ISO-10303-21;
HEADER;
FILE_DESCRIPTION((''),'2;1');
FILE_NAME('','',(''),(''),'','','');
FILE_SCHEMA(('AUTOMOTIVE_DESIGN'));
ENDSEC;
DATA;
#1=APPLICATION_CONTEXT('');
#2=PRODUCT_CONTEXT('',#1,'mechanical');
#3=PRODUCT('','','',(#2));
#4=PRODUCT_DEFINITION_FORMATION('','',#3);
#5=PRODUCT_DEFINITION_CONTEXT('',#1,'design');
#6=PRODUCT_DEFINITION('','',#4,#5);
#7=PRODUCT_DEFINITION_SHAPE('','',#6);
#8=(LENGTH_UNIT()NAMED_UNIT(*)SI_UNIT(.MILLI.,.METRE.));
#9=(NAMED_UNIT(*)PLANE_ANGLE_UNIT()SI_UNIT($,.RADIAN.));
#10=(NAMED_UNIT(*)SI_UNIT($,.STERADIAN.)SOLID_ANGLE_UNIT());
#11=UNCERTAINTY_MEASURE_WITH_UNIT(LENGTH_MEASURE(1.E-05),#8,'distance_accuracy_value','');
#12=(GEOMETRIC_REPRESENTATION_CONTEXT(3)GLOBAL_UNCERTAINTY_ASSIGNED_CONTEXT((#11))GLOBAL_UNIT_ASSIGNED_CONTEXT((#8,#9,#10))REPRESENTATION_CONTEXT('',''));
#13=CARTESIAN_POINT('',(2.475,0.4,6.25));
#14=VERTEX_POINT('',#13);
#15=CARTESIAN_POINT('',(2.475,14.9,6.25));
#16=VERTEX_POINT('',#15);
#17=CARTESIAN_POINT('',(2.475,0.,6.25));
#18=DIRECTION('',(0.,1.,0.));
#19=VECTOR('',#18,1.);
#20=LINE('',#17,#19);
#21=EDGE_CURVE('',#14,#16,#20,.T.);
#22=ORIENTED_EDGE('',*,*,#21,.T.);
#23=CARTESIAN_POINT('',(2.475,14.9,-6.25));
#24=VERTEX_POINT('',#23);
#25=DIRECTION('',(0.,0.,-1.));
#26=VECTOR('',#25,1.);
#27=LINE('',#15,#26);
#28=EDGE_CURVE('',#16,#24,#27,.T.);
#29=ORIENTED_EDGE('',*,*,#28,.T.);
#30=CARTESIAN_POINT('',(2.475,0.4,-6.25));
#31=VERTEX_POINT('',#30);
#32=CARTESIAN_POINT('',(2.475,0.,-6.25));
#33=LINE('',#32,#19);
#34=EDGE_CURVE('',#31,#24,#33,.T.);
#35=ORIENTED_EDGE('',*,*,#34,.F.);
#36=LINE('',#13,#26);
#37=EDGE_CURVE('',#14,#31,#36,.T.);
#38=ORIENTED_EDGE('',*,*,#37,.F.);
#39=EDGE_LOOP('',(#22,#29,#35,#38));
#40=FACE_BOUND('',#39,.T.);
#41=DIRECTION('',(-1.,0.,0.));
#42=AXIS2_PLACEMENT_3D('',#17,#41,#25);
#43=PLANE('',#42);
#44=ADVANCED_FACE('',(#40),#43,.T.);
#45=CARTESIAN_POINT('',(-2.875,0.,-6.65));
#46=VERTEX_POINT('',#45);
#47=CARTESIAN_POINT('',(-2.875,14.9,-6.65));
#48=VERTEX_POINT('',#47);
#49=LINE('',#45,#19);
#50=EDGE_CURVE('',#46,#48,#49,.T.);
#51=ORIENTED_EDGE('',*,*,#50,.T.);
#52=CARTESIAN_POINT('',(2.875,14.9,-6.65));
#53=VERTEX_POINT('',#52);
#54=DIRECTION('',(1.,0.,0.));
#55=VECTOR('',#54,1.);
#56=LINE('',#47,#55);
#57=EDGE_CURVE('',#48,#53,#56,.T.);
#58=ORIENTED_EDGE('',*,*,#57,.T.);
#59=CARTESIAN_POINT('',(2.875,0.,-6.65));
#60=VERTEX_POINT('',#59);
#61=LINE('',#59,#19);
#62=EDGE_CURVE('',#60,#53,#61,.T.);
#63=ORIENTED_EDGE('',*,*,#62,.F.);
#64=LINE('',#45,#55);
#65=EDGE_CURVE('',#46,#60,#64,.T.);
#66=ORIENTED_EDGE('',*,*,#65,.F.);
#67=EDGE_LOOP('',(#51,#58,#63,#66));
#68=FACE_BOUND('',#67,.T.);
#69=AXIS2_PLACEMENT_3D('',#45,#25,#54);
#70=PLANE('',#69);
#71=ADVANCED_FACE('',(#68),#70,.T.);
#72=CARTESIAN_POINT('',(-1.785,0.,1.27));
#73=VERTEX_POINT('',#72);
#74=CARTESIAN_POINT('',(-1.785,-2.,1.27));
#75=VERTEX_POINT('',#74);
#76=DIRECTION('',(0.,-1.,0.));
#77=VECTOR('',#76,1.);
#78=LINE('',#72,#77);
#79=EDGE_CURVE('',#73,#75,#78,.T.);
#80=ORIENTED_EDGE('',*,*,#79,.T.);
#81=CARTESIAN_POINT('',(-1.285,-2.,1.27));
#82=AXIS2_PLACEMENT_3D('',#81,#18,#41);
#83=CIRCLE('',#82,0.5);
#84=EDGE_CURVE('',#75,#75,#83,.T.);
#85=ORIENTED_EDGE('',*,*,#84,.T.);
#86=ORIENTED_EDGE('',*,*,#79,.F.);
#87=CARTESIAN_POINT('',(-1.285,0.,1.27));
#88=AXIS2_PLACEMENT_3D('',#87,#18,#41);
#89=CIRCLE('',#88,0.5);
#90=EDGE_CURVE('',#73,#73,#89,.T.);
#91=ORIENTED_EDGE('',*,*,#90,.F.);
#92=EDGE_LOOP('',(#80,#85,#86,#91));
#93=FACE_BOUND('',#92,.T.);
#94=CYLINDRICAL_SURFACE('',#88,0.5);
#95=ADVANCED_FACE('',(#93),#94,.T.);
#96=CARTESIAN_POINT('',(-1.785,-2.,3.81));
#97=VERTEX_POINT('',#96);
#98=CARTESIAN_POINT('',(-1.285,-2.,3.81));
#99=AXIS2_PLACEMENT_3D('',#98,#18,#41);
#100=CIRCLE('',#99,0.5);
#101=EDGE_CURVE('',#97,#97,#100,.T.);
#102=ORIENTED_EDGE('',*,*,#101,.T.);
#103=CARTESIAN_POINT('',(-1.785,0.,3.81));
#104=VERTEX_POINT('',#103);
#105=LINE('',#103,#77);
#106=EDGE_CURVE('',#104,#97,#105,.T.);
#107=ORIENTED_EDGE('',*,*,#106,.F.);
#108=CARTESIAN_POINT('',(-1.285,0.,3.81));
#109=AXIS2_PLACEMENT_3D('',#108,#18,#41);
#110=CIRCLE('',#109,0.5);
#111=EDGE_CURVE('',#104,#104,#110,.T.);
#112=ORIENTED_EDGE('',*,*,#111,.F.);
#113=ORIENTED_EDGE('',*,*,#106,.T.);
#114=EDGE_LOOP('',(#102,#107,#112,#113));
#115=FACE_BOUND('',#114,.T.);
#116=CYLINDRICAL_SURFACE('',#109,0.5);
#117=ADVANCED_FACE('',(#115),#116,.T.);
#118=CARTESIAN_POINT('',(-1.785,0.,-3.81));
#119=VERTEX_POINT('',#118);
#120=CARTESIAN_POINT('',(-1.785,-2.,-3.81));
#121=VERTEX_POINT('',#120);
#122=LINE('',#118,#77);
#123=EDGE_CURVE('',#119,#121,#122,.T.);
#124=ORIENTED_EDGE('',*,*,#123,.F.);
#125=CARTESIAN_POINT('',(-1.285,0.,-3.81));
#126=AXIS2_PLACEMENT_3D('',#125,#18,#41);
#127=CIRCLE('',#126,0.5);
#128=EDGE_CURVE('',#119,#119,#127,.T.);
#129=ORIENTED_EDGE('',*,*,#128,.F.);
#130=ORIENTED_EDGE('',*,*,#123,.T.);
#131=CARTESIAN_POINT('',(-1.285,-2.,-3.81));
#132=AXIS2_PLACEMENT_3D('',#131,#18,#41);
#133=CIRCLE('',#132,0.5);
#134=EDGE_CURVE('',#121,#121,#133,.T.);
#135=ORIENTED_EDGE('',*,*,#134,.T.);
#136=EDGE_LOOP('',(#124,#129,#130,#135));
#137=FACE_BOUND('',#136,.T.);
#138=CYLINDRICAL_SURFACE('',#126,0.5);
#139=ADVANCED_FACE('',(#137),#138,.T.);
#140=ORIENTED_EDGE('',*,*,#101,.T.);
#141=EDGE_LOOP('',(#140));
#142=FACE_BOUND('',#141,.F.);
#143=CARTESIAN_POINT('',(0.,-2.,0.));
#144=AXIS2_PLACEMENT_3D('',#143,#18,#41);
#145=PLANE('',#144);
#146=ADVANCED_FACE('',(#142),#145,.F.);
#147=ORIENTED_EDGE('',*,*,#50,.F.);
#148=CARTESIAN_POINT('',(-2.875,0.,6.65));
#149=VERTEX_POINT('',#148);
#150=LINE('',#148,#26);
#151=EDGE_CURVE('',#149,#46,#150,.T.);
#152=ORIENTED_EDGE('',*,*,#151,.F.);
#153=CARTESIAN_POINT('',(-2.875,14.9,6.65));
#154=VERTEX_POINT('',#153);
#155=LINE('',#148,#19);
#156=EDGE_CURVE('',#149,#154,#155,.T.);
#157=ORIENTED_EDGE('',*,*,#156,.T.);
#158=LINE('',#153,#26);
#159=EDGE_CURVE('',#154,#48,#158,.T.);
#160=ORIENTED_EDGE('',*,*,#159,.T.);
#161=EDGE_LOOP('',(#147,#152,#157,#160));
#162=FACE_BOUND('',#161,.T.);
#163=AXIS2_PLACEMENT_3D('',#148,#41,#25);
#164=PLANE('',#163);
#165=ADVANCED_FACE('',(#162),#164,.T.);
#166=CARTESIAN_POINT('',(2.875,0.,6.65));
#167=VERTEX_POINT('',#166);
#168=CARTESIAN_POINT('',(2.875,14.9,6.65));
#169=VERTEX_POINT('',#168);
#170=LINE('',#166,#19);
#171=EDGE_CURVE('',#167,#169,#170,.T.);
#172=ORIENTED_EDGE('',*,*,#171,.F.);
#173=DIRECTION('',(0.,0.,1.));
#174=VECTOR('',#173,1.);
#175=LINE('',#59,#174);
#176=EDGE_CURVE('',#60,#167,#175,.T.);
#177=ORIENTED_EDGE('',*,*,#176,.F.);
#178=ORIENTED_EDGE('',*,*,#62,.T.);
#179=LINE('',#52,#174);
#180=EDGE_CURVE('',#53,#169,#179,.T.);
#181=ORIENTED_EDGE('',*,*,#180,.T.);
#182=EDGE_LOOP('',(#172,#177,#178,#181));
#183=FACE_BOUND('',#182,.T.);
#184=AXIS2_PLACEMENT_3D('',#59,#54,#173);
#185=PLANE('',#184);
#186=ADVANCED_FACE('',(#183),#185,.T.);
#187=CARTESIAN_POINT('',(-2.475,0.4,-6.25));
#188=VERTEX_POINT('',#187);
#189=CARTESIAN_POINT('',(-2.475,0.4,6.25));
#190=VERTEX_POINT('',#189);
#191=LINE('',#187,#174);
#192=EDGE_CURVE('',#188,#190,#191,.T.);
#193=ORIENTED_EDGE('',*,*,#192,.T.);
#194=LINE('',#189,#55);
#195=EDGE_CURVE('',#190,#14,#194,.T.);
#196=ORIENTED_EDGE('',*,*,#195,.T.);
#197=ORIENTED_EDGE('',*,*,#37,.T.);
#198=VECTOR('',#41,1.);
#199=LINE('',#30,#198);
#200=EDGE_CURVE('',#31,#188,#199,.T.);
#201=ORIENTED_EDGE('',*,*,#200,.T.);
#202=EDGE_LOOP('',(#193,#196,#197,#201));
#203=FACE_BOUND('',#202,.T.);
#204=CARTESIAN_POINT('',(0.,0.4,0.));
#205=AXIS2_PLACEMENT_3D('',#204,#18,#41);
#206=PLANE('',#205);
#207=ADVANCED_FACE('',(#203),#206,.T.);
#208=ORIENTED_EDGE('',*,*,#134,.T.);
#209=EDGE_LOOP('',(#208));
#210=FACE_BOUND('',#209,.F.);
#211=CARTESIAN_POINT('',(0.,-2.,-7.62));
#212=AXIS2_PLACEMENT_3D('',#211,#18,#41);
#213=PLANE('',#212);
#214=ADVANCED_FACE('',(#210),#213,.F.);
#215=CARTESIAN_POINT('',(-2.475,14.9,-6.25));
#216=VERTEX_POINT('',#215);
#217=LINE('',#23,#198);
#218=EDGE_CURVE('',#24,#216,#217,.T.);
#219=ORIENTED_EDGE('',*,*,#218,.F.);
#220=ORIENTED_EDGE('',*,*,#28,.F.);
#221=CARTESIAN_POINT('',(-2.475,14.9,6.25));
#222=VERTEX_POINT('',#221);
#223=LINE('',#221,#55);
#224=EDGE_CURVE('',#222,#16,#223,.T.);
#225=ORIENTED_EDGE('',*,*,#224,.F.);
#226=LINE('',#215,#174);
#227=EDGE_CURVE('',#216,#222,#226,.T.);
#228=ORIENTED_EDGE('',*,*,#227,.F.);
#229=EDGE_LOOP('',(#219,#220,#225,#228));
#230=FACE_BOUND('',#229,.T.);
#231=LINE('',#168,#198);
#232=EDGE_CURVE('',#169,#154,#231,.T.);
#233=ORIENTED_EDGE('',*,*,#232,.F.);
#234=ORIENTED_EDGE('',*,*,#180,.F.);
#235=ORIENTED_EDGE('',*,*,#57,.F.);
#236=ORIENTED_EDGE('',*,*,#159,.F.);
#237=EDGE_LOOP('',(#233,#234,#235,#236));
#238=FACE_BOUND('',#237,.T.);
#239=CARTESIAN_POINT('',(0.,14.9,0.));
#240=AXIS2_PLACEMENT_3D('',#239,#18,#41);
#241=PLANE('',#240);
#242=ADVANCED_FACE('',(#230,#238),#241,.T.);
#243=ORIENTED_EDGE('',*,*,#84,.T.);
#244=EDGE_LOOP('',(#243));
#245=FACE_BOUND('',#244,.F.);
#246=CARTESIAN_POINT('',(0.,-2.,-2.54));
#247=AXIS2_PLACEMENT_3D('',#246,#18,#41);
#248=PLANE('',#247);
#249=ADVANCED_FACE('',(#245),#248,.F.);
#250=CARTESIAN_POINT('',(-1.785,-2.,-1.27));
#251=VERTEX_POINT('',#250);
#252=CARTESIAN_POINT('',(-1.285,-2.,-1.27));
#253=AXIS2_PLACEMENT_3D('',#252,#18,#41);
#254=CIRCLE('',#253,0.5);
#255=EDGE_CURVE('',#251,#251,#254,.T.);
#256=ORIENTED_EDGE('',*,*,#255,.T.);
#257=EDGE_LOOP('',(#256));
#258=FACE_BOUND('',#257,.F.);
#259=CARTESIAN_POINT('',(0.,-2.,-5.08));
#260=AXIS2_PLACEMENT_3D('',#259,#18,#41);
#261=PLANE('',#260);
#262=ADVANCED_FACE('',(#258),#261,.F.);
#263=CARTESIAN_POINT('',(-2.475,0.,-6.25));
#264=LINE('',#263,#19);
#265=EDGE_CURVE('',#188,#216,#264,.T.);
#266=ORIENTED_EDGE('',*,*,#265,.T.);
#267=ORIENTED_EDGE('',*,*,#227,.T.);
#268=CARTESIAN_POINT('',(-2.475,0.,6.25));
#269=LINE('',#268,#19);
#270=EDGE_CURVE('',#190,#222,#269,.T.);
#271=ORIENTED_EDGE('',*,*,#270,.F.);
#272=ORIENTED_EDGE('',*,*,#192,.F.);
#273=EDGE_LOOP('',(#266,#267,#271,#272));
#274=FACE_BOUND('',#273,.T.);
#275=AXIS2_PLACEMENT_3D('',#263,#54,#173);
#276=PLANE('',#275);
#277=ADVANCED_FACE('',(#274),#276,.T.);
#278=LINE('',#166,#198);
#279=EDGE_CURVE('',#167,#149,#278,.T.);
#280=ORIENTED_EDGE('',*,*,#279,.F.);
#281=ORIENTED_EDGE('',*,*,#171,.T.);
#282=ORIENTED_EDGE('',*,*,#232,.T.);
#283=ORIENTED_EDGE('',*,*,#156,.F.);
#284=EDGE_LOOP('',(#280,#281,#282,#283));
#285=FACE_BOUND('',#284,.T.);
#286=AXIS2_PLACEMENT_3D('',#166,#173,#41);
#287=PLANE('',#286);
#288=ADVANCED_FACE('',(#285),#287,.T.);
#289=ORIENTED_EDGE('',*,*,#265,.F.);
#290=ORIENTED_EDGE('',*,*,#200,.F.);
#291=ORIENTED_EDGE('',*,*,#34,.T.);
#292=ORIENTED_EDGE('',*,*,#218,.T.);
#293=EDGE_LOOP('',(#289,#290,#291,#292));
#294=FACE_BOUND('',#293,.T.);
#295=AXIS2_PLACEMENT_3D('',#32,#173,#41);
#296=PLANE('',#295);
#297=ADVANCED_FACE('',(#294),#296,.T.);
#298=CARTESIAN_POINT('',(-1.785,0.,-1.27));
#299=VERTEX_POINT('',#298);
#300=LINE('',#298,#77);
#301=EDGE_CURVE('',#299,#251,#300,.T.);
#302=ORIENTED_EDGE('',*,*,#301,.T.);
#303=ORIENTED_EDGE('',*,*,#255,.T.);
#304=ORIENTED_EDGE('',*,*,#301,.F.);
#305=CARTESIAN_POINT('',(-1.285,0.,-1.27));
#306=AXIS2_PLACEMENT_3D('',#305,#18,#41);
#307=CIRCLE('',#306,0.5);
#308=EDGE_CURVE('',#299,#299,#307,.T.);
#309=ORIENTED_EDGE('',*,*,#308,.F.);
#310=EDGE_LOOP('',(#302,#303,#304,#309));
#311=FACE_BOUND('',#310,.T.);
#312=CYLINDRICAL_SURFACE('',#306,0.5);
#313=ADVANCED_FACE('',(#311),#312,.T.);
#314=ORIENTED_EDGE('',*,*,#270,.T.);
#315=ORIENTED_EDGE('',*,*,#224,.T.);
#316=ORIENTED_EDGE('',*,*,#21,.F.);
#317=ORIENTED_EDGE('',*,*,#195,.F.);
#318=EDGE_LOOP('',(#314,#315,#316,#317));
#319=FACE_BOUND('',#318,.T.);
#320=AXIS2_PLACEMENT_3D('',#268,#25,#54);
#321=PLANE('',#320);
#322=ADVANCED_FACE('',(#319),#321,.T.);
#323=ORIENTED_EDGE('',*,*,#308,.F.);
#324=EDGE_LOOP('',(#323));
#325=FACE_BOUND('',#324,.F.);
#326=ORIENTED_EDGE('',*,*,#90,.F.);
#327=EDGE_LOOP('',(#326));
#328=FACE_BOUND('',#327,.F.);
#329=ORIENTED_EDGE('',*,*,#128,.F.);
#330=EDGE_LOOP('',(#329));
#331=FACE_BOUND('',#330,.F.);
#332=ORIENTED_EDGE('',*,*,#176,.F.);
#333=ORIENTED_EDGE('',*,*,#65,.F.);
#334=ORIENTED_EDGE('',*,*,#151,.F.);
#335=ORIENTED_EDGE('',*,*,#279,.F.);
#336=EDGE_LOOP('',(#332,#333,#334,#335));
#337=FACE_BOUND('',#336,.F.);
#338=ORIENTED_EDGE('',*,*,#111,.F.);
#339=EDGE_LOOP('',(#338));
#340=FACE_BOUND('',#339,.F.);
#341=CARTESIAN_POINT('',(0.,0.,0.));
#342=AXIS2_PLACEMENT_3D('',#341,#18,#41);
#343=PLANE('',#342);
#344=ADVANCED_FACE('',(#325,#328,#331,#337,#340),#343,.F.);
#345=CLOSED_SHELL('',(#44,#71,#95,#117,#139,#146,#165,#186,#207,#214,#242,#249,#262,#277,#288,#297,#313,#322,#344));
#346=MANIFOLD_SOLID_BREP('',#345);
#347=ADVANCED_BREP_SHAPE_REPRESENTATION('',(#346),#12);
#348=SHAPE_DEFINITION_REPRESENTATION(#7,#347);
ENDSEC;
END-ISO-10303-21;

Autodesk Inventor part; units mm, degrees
ref_plane "YZ Plane" through (0, 0, 0) normal (1, 0, 0) x (0, 1, 0)
ref_plane "XZ Plane" through (0, 0, 0) normal (0, 1, 0) x (-1, 0, 0)
ref_plane "XY Plane" through (0, 0, 0) normal (0, 0, 1) x (1, 0, 0)
sketch "Sketch1" plane through (0, 0, 0) normal (0, 1, 0) x (-1, 0, 0)
  line L0 (-2.875, 6.65) -> (2.875, 6.65)
  line L1 (2.875, 6.65) -> (2.875, -6.65)
  line L2 (2.875, -6.65) -> (-2.875, -6.65)
  line L3 (-2.875, -6.65) -> (-2.875, 6.65)
  line L4 (-2.875, 6.65) -> (2.875, -6.65) construction
  line L5 (2.875, 6.65) -> (-2.875, -6.65) construction
  line L6 (2.475, -6.25) -> (2.475, 6.25)
  line L7 (2.475, 6.25) -> (-2.475, 6.25)
  line L8 (-2.475, 6.25) -> (-2.475, -6.25)
  line L9 (-2.475, -6.25) -> (2.475, -6.25)
  circle A0 centre (1.285, 3.81) radius 0.5
  point P0 (0, 0)
  dimension "d0" = 13.3
  dimension "d1" = 5.75
  dimension "d2" = 0.4
  dimension "d7" = 1
  dimension "d8" = 4.16
  dimension "d9" = 3.81
extrude "Extrusion1" add sketch "Sketch1" along normal blind 14.9 contours L0 L1 L2 L3
extrude "Extrusion2" add sketch "Sketch1" along normal blind 0.4 contours L9 L8 L7 L6 | A0
extrude "Extrusion3" add sketch "Sketch1" against normal blind 2 contours A0
pattern_linear "Rectangular Pattern1" count 4 spacing 2.54 along (0, 0, -1) of "Extrusion3"
properties part number "Female USB SMT"
